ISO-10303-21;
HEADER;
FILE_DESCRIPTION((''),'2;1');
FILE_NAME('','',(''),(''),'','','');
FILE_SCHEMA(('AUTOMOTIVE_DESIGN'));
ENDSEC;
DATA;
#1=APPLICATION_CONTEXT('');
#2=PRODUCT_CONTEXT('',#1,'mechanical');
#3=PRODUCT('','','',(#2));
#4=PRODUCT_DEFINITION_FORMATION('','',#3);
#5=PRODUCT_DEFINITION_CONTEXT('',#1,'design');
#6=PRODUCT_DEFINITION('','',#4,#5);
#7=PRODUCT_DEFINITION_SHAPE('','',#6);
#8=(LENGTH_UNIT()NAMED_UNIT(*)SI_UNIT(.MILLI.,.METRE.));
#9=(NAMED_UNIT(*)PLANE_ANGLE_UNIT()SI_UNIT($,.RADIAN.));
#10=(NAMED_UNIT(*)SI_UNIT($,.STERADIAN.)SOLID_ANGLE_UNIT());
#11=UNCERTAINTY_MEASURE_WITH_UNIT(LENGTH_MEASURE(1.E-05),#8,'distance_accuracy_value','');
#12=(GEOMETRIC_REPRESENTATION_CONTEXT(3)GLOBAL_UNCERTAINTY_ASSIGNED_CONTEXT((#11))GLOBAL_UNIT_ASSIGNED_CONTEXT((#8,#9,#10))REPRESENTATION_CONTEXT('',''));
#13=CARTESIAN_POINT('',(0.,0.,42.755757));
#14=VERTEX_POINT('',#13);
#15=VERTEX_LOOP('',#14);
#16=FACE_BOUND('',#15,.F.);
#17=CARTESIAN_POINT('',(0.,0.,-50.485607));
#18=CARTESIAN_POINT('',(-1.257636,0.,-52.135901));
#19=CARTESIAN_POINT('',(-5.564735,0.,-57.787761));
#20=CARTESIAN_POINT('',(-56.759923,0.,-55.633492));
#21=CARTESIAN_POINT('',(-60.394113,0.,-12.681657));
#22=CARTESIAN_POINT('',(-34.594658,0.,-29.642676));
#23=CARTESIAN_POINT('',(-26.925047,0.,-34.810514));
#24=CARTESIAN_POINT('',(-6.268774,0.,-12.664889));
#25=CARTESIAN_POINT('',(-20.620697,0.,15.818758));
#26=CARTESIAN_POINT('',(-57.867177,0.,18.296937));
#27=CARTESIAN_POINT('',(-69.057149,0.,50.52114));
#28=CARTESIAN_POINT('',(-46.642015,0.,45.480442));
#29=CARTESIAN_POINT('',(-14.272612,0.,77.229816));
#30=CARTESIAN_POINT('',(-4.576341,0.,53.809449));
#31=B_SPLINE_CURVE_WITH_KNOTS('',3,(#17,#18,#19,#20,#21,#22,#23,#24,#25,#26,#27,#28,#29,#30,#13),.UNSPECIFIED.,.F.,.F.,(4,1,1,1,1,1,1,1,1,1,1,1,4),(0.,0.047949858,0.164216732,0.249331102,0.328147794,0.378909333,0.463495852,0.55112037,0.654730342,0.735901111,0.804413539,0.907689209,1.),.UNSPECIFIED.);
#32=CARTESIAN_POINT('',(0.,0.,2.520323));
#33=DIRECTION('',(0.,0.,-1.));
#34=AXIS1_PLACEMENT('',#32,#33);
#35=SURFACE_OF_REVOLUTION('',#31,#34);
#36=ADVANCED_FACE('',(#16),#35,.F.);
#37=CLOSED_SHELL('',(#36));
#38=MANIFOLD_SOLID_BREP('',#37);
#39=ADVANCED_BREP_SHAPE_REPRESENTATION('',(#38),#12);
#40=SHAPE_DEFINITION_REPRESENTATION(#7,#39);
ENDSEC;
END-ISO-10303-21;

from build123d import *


with BuildPart() as f1:
    # F0 (on Front) → F1 (revolve)
    with BuildSketch(Plane.XZ):
        with BuildLine():
            add(Edge.make_bspline(
                [(0, -50.4856072366), (-1.2576355687, -52.135901233), (-5.5647349527, -57.7877613047), (-56.7599231513, -55.6334919668), (-60.3941128713, -12.6816570182), (-34.59465762, -29.642676116), (-26.9250470134, -34.8105142148), (-6.2687743919, -12.6648892447), (-20.6206973831, 15.8187575863), (-57.8671770735, 18.2969365876), (-69.0571491764, 50.5211402761), (-46.6420154059, 45.4804417852), (-14.2726122359, 77.2298155517), (-4.5763414387, 53.8094488903), (0, 42.7557565272)],
                knots=[0, 0, 0, 0, 0.0479498578, 0.1642167318, 0.2493311019, 0.3281477935, 0.3789093326, 0.4634958522, 0.5511203702, 0.6547303419, 0.7359011109, 0.8044135394, 0.9076892093, 1, 1, 1, 1], degree=3))
            Line((0, -50.4856072366), (0, 42.7557565272))
        make_face()
    revolve(axis=Axis((0, 0, 2.5203227997), (0, 0, -1)))


solid = f1.part
